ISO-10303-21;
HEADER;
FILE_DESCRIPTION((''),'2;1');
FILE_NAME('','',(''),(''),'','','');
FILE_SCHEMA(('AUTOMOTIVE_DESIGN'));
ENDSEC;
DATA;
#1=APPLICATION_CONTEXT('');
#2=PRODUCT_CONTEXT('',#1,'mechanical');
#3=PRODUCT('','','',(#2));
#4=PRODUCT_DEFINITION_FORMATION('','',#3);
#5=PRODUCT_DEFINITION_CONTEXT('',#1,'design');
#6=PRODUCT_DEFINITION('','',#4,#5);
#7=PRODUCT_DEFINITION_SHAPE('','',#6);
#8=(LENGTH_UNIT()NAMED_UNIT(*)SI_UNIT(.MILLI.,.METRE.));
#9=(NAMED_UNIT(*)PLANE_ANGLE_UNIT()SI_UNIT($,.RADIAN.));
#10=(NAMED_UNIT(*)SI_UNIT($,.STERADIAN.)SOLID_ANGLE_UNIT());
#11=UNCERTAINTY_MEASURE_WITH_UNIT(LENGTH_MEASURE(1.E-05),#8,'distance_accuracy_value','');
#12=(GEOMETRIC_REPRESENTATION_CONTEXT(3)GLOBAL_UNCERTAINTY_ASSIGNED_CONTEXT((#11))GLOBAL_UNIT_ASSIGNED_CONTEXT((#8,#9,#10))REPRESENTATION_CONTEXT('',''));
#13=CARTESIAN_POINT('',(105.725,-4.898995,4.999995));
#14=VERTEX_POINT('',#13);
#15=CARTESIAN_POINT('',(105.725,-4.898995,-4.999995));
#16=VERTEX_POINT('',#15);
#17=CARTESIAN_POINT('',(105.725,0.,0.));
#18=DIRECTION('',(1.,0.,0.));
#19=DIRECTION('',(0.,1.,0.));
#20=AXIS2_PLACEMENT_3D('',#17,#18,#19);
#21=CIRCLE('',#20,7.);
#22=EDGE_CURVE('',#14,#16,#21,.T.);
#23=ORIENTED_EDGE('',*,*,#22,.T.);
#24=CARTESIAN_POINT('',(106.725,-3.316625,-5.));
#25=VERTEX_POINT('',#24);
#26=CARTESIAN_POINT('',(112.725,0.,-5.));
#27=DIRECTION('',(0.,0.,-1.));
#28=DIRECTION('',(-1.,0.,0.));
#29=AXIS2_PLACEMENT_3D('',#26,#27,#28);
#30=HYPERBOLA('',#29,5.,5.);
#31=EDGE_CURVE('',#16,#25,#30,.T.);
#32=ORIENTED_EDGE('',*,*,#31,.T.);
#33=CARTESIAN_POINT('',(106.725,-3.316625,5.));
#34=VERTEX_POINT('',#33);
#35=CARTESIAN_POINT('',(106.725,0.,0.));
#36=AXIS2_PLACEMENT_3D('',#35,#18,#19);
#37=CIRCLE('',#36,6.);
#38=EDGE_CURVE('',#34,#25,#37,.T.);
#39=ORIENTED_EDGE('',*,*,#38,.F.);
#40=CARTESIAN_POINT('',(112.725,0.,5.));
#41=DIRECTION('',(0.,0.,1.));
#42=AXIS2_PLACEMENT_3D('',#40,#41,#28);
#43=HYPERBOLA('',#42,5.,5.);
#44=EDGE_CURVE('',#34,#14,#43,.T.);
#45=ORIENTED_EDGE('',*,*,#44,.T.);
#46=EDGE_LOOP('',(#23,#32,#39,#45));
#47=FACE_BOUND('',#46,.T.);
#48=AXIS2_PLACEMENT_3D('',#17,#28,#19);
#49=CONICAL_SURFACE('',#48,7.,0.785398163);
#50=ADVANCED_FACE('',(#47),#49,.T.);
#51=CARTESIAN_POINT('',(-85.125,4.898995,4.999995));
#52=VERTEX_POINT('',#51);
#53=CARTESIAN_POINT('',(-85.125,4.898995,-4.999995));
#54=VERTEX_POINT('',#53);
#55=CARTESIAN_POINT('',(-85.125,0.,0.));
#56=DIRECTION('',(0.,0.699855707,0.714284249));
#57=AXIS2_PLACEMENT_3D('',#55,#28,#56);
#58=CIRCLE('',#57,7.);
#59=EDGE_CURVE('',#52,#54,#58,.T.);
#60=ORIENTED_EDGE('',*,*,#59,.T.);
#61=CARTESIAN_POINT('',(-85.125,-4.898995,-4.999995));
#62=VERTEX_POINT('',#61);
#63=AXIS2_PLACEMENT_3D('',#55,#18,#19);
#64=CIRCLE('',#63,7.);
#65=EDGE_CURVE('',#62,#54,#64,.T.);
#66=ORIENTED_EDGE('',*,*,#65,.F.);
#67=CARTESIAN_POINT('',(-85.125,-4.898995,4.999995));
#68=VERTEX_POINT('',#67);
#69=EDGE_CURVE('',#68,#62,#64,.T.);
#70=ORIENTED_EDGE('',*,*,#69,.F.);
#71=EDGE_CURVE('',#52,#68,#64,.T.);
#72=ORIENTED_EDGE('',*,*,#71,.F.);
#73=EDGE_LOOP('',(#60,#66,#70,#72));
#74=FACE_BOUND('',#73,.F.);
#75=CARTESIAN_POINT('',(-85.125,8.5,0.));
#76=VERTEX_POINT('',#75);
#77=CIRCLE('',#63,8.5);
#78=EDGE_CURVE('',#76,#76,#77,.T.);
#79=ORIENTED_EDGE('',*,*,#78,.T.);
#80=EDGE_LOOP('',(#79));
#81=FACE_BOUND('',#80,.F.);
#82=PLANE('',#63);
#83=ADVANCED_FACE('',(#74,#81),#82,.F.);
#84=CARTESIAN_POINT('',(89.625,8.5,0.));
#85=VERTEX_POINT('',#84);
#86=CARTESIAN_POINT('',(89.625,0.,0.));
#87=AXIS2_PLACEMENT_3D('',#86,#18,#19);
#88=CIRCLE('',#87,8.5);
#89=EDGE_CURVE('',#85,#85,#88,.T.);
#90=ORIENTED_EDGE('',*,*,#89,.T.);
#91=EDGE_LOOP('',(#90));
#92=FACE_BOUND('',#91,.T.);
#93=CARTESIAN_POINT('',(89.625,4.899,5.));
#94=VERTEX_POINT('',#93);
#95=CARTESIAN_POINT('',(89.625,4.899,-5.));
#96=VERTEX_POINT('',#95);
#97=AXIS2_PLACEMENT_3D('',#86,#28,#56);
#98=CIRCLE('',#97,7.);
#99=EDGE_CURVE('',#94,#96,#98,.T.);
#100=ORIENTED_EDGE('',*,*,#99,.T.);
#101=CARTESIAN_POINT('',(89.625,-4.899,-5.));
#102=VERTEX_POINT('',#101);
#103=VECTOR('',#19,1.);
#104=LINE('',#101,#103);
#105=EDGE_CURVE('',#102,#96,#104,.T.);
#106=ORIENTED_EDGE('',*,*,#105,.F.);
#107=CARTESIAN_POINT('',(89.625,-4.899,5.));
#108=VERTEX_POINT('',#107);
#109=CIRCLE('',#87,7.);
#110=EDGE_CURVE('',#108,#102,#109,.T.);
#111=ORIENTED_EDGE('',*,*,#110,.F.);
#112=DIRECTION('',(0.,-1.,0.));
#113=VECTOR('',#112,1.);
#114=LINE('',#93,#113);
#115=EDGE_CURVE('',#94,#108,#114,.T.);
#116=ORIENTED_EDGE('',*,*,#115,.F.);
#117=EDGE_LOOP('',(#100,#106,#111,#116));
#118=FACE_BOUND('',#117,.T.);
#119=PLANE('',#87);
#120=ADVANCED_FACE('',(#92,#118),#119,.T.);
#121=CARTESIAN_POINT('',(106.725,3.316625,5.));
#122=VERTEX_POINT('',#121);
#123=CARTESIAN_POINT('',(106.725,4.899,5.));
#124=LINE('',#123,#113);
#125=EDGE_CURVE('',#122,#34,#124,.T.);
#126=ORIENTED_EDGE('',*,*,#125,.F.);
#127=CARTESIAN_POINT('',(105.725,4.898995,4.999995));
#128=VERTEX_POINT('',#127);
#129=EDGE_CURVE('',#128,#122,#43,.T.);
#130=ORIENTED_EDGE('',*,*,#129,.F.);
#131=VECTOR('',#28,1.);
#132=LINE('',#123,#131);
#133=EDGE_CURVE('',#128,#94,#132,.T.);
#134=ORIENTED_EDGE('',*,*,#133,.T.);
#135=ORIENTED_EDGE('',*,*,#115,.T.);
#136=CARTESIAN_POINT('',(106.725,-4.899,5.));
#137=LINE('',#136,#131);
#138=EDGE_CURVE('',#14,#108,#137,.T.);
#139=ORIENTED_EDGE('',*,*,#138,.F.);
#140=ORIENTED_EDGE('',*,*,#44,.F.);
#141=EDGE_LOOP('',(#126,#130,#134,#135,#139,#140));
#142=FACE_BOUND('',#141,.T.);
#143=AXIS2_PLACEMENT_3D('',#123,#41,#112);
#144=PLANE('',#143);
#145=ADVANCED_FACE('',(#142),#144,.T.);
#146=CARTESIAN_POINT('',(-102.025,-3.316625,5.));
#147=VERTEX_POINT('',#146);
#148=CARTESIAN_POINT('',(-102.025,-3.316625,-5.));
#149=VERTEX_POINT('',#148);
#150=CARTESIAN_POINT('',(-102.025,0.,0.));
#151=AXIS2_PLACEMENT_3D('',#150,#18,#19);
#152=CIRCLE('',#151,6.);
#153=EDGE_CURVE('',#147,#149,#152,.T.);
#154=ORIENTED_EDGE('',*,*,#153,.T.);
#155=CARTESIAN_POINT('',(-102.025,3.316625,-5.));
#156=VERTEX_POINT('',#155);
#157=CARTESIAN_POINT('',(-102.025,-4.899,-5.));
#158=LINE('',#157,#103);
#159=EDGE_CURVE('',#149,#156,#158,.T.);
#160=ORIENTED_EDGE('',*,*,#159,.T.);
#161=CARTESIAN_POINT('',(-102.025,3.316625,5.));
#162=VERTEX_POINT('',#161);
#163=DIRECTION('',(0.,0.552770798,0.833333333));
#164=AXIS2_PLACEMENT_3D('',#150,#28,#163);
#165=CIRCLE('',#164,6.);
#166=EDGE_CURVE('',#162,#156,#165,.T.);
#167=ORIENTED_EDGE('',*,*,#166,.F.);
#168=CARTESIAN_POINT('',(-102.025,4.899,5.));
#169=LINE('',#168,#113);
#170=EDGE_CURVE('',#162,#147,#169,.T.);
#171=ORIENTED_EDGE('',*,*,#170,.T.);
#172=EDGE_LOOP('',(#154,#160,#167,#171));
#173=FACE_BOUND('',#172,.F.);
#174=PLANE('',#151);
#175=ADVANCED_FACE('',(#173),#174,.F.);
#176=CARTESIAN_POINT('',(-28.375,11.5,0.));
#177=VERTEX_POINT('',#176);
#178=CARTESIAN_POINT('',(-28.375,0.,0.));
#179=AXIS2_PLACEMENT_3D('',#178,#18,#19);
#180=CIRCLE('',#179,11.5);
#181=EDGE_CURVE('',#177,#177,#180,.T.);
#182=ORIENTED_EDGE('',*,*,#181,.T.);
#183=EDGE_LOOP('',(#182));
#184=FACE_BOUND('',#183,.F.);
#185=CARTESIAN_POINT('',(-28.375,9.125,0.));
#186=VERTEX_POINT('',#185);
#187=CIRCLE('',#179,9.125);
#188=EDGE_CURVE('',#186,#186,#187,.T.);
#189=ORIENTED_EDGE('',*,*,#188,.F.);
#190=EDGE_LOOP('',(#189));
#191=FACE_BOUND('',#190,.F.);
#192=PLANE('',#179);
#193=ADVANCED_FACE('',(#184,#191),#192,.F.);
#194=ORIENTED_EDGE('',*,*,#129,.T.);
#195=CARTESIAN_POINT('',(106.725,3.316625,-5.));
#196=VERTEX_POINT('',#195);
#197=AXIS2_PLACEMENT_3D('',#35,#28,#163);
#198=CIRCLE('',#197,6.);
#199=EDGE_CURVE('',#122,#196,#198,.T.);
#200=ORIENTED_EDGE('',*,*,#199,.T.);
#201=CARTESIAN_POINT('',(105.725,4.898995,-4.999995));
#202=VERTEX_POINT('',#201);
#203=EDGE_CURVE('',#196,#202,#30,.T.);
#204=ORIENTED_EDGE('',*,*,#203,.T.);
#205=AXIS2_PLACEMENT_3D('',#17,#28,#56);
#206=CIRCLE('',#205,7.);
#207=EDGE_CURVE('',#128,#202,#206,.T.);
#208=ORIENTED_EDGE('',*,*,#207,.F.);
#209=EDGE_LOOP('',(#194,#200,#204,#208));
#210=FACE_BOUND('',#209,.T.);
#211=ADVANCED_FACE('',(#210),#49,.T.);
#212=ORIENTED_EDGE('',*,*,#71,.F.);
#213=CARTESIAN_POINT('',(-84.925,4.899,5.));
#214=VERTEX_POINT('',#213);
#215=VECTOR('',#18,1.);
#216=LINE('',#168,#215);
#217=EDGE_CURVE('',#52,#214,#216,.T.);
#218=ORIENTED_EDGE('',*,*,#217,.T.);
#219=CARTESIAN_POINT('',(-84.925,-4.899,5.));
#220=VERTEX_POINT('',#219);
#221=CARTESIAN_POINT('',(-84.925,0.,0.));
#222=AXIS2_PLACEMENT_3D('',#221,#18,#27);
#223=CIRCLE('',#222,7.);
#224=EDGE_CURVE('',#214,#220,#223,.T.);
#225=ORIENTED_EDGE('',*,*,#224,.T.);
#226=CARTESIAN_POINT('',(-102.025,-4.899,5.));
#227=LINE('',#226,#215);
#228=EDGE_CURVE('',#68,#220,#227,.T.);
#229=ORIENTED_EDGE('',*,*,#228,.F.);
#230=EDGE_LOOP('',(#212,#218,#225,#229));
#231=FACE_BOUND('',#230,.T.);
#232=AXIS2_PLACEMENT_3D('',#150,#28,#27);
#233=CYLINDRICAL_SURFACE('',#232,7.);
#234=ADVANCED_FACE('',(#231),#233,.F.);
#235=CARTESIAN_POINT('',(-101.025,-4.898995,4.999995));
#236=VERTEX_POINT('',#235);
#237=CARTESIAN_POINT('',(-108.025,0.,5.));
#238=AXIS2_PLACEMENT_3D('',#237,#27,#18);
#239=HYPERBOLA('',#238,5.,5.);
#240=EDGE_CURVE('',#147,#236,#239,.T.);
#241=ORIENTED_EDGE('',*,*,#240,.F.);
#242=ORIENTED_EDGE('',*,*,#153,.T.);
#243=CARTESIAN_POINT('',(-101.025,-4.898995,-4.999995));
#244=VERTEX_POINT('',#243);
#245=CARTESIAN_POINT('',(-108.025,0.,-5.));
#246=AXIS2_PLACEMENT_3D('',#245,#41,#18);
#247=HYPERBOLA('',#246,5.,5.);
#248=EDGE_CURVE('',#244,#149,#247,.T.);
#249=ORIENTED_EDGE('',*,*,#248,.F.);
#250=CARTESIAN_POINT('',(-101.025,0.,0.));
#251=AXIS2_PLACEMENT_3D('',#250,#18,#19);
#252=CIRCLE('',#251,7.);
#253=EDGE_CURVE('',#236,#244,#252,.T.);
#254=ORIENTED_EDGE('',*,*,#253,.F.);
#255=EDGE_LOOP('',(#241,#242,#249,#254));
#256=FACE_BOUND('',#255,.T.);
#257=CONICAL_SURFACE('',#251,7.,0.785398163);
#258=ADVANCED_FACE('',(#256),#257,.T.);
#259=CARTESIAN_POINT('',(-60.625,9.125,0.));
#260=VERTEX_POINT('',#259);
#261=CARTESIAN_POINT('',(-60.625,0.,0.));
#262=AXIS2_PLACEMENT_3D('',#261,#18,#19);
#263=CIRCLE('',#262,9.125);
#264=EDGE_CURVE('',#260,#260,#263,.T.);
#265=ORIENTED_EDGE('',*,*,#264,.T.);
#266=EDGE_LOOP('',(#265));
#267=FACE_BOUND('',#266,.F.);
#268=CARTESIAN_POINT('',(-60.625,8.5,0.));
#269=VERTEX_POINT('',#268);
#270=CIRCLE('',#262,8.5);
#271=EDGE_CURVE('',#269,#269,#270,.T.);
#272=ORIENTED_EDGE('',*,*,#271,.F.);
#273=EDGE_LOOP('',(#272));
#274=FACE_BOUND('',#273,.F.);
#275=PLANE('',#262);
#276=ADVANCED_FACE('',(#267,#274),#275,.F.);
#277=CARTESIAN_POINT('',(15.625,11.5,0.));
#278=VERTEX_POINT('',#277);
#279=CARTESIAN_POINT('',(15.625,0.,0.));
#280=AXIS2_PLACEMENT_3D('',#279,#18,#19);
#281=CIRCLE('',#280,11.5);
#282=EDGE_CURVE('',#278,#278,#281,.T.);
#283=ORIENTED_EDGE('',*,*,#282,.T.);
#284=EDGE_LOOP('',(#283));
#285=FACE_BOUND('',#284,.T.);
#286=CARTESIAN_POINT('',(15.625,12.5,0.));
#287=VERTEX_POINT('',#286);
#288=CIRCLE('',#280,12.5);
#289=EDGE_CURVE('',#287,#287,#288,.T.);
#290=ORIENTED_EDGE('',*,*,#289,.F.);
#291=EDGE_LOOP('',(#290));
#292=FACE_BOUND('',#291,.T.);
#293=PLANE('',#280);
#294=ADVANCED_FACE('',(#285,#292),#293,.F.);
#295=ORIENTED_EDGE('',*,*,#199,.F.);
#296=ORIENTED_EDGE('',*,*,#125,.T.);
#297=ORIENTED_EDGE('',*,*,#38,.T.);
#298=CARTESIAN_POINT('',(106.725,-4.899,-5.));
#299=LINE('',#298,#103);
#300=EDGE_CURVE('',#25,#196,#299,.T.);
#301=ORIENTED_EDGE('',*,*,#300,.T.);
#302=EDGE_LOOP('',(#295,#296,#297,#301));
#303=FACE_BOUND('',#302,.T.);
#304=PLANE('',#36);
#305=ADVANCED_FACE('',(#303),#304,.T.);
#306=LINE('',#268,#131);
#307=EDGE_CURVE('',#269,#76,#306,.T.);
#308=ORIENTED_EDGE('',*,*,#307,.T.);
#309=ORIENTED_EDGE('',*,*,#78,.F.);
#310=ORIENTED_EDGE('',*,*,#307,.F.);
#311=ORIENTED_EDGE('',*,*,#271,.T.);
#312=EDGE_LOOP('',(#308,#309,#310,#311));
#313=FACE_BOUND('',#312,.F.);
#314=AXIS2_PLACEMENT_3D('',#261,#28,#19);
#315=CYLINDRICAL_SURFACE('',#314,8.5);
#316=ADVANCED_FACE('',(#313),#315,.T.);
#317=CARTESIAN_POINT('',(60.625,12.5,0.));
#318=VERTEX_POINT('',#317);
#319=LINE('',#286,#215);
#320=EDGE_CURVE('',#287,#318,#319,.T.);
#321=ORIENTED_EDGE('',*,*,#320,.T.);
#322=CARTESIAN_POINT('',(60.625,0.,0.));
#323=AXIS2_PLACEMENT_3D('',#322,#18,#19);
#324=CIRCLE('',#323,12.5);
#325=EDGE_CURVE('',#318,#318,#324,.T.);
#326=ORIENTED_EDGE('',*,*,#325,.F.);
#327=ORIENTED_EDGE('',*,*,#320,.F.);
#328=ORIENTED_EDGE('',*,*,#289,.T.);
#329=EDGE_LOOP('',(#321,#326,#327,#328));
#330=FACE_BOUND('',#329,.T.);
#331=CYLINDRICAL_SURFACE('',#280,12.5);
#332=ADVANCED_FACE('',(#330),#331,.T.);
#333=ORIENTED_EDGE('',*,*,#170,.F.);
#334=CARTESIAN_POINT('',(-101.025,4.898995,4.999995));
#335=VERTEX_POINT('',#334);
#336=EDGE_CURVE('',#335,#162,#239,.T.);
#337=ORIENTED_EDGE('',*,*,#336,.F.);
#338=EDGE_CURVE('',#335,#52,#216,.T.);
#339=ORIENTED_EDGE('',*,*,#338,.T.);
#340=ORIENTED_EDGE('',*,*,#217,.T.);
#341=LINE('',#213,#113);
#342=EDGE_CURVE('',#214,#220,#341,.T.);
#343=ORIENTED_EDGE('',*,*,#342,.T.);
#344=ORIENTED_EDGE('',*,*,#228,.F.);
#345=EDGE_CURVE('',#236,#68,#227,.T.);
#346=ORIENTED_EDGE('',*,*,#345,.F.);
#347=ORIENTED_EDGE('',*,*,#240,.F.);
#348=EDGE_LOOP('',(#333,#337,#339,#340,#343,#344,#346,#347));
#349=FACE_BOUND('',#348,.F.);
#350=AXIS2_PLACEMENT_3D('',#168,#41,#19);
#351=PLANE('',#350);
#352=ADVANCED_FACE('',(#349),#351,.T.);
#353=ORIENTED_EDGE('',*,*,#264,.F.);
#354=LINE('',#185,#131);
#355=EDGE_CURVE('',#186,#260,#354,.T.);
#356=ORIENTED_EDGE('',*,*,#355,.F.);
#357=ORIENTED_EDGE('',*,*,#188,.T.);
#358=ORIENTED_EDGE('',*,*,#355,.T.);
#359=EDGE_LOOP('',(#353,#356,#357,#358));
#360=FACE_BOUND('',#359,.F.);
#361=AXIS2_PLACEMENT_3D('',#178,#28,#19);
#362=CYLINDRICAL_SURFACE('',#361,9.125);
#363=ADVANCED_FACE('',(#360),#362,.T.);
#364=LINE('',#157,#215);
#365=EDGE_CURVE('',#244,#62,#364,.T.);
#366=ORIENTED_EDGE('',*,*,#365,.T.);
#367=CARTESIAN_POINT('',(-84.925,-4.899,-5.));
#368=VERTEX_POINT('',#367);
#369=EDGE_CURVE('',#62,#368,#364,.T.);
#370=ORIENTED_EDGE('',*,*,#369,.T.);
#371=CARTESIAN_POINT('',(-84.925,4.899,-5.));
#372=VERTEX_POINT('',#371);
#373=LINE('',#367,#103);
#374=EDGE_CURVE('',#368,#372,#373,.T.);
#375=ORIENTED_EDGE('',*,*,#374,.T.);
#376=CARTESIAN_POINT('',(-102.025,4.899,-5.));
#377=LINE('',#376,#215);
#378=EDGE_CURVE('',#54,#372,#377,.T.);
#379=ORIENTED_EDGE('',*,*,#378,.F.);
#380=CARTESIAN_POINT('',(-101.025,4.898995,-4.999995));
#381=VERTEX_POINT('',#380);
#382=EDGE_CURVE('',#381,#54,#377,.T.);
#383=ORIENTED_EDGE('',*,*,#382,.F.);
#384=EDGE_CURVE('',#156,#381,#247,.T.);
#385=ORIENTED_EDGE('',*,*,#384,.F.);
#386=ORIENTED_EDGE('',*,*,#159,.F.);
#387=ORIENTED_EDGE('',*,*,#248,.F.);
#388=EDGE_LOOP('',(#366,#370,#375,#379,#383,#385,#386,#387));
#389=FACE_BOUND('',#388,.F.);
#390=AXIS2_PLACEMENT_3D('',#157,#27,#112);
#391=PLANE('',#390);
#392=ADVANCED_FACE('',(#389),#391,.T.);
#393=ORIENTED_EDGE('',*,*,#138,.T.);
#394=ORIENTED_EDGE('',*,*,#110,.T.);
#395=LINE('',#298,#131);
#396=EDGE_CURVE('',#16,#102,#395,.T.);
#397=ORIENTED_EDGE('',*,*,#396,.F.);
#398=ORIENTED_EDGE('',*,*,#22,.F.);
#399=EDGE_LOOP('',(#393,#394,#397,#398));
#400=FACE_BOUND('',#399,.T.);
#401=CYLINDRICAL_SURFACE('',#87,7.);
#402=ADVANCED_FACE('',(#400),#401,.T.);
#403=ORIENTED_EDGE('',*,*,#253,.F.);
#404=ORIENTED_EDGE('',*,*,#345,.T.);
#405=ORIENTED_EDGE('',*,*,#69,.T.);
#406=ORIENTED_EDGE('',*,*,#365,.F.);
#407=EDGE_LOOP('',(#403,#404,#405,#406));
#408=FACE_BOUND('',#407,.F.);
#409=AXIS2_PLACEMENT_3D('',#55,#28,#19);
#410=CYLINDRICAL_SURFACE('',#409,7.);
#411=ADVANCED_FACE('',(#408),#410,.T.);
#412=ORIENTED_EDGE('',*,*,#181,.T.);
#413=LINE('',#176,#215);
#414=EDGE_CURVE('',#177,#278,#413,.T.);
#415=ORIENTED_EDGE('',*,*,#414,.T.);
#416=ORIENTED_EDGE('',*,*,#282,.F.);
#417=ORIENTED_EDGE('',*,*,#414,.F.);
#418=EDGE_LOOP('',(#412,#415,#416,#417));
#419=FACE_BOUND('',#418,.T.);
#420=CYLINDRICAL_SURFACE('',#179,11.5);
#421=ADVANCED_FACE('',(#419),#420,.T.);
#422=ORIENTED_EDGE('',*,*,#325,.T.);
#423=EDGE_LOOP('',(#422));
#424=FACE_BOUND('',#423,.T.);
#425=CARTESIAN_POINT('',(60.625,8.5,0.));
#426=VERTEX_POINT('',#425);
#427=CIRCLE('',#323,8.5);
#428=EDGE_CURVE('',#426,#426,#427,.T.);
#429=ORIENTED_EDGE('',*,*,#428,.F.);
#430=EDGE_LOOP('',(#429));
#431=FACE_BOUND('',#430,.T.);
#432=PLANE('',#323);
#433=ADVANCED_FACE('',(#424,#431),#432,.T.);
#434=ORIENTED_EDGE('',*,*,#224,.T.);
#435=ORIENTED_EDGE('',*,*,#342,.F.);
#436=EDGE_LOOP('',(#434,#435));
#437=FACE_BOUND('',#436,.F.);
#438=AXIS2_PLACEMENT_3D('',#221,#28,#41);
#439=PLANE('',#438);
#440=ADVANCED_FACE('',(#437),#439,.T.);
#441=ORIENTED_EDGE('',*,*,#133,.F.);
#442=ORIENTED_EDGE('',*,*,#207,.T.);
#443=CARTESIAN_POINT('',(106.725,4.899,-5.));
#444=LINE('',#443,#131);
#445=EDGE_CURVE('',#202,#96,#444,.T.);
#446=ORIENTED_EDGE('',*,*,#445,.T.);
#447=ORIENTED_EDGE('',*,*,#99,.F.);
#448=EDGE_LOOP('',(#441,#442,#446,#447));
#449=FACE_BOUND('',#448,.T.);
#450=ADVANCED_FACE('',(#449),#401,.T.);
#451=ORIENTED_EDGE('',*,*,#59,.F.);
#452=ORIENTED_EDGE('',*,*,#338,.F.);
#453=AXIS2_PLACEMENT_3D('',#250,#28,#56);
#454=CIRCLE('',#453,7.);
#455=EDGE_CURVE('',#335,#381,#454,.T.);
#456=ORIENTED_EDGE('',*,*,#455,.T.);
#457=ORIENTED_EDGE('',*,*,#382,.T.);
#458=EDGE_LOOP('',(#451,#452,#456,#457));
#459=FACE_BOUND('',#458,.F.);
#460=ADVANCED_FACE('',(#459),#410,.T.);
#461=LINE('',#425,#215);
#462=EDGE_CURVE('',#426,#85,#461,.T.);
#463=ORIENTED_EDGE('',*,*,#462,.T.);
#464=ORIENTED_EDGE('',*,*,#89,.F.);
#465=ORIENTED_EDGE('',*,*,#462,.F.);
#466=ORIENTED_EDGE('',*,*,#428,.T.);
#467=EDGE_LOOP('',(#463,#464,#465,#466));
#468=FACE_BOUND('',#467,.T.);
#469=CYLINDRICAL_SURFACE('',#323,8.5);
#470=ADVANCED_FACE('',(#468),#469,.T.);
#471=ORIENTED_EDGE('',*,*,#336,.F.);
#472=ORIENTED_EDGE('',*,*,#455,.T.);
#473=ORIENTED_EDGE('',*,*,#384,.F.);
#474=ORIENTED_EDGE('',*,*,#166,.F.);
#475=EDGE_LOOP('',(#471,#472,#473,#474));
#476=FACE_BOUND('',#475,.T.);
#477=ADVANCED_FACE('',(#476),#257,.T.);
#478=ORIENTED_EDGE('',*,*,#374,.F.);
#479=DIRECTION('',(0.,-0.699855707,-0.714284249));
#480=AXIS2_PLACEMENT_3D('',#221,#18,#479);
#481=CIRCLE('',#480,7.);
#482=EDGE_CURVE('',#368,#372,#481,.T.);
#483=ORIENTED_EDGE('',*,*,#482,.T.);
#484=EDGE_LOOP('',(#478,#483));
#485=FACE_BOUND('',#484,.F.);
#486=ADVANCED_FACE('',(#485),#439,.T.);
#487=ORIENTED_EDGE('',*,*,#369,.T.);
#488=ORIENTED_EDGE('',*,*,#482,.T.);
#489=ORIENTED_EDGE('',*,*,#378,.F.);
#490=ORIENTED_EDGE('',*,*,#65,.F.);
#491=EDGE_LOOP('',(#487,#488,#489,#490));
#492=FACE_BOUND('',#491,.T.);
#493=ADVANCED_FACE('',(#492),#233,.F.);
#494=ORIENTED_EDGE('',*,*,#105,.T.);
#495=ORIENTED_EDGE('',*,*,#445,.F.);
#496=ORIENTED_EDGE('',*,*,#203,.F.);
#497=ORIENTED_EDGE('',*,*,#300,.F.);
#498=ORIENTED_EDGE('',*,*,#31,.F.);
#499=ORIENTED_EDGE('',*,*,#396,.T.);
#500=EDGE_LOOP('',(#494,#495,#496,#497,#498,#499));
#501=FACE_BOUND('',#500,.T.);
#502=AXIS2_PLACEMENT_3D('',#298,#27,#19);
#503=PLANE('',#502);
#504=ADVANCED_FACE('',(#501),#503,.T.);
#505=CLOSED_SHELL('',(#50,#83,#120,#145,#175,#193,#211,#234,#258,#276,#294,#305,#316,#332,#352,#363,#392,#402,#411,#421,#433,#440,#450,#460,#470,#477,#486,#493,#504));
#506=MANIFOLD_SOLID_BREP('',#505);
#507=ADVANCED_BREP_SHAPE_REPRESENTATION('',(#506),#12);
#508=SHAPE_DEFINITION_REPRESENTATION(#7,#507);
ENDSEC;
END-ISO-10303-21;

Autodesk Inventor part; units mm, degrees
ref_plane "YZ Plane" through (0, 0, 0) normal (1, 0, 0) x (0, 1, 0)
ref_plane "XZ Plane" through (0, 0, 0) normal (0, 1, 0) x (-1, 0, 0)
ref_plane "XY Plane" through (0, 0, 0) normal (0, 0, 1) x (1, 0, 0)
sketch "Sketch4" plane through (0, 0, 0) normal (0, 0, 1) x (1, 0, 0)
  line L0 (-102.025, 0) -> (106.725, 0)
  line L1 (-28.375, 11.5) -> (15.625, 11.5)
  line L2 (15.625, 11.5) -> (15.625, 12.5)
  line L3 (15.625, 12.5) -> (60.625, 12.5)
  line L4 (60.625, 12.5) -> (60.625, 8.5)
  line L5 (60.625, 8.5) -> (89.625, 8.5)
  line L6 (89.625, 8.5) -> (89.625, 7)
  line L7 (89.625, 7) -> (106.725, 7)
  line L8 (106.725, 7) -> (106.725, 0)
  line L9 (-28.375, 11.5) -> (-28.375, 9.125)
  line L10 (-28.375, 9.125) -> (-60.625, 9.125)
  line L11 (-60.625, 9.125) -> (-60.625, 8.5)
  line L12 (-60.625, 8.5) -> (-85.125, 8.5)
  line L13 (-85.125, 8.5) -> (-85.125, 7)
  line L14 (-85.125, 7) -> (-102.025, 7)
  line L15 (-102.025, 7) -> (-102.025, 0)
  line L16 (0, 0) -> (0, 42.8251) construction
  dimension "d12" = 14
  dimension "d13" = 17
  dimension "d16" = 23
  dimension "d18" = 25
  dimension "d20" = 18.25
  dimension "d30" = 89
  dimension "d31" = 45
  dimension "d32" = 29
  dimension "d33" = 17.1
  dimension "d34" = 32.25
  dimension "d35" = 24.5
  dimension "d36" = 16.9
revolve "Revolution1" add sketch "Sketch4" angle 360 about axis through (-102.025, 0, 0) along (1, 0, 0)
chamfer "Chamfer1" distance 1 angle 45 2 edges at (106.725, -7, 0) (-102.025, -7, 0)
sketch "Sketch5" plane through (106.725, 0, 0) normal (1, 0, 0) x (0, 0, -1)
  circle A0 centre (0, 0) radius 7 projected
  line L0 (-5, 4.899) -> (-5, -4.899)
  line L1 (5, -4.899) -> (5, 4.899)
  point P0 (0, 0)
  dimension "d27" = 10
extrude "Extrusion4" cut sketch "Sketch5" against normal up to surface (17.1 mm away) contours A0 L1 | L0 A0
ref_plane "Work Plane1" through (2.35, -3.3166, -5) normal (1, 0, 0) x (0, 0, -1)
mirror "Mirror1" about plane through (2.35, -3.3166, -5) normal (1, 0, 0) of "Extrusion4"
properties part number "axel" material "Stainless Steel"
